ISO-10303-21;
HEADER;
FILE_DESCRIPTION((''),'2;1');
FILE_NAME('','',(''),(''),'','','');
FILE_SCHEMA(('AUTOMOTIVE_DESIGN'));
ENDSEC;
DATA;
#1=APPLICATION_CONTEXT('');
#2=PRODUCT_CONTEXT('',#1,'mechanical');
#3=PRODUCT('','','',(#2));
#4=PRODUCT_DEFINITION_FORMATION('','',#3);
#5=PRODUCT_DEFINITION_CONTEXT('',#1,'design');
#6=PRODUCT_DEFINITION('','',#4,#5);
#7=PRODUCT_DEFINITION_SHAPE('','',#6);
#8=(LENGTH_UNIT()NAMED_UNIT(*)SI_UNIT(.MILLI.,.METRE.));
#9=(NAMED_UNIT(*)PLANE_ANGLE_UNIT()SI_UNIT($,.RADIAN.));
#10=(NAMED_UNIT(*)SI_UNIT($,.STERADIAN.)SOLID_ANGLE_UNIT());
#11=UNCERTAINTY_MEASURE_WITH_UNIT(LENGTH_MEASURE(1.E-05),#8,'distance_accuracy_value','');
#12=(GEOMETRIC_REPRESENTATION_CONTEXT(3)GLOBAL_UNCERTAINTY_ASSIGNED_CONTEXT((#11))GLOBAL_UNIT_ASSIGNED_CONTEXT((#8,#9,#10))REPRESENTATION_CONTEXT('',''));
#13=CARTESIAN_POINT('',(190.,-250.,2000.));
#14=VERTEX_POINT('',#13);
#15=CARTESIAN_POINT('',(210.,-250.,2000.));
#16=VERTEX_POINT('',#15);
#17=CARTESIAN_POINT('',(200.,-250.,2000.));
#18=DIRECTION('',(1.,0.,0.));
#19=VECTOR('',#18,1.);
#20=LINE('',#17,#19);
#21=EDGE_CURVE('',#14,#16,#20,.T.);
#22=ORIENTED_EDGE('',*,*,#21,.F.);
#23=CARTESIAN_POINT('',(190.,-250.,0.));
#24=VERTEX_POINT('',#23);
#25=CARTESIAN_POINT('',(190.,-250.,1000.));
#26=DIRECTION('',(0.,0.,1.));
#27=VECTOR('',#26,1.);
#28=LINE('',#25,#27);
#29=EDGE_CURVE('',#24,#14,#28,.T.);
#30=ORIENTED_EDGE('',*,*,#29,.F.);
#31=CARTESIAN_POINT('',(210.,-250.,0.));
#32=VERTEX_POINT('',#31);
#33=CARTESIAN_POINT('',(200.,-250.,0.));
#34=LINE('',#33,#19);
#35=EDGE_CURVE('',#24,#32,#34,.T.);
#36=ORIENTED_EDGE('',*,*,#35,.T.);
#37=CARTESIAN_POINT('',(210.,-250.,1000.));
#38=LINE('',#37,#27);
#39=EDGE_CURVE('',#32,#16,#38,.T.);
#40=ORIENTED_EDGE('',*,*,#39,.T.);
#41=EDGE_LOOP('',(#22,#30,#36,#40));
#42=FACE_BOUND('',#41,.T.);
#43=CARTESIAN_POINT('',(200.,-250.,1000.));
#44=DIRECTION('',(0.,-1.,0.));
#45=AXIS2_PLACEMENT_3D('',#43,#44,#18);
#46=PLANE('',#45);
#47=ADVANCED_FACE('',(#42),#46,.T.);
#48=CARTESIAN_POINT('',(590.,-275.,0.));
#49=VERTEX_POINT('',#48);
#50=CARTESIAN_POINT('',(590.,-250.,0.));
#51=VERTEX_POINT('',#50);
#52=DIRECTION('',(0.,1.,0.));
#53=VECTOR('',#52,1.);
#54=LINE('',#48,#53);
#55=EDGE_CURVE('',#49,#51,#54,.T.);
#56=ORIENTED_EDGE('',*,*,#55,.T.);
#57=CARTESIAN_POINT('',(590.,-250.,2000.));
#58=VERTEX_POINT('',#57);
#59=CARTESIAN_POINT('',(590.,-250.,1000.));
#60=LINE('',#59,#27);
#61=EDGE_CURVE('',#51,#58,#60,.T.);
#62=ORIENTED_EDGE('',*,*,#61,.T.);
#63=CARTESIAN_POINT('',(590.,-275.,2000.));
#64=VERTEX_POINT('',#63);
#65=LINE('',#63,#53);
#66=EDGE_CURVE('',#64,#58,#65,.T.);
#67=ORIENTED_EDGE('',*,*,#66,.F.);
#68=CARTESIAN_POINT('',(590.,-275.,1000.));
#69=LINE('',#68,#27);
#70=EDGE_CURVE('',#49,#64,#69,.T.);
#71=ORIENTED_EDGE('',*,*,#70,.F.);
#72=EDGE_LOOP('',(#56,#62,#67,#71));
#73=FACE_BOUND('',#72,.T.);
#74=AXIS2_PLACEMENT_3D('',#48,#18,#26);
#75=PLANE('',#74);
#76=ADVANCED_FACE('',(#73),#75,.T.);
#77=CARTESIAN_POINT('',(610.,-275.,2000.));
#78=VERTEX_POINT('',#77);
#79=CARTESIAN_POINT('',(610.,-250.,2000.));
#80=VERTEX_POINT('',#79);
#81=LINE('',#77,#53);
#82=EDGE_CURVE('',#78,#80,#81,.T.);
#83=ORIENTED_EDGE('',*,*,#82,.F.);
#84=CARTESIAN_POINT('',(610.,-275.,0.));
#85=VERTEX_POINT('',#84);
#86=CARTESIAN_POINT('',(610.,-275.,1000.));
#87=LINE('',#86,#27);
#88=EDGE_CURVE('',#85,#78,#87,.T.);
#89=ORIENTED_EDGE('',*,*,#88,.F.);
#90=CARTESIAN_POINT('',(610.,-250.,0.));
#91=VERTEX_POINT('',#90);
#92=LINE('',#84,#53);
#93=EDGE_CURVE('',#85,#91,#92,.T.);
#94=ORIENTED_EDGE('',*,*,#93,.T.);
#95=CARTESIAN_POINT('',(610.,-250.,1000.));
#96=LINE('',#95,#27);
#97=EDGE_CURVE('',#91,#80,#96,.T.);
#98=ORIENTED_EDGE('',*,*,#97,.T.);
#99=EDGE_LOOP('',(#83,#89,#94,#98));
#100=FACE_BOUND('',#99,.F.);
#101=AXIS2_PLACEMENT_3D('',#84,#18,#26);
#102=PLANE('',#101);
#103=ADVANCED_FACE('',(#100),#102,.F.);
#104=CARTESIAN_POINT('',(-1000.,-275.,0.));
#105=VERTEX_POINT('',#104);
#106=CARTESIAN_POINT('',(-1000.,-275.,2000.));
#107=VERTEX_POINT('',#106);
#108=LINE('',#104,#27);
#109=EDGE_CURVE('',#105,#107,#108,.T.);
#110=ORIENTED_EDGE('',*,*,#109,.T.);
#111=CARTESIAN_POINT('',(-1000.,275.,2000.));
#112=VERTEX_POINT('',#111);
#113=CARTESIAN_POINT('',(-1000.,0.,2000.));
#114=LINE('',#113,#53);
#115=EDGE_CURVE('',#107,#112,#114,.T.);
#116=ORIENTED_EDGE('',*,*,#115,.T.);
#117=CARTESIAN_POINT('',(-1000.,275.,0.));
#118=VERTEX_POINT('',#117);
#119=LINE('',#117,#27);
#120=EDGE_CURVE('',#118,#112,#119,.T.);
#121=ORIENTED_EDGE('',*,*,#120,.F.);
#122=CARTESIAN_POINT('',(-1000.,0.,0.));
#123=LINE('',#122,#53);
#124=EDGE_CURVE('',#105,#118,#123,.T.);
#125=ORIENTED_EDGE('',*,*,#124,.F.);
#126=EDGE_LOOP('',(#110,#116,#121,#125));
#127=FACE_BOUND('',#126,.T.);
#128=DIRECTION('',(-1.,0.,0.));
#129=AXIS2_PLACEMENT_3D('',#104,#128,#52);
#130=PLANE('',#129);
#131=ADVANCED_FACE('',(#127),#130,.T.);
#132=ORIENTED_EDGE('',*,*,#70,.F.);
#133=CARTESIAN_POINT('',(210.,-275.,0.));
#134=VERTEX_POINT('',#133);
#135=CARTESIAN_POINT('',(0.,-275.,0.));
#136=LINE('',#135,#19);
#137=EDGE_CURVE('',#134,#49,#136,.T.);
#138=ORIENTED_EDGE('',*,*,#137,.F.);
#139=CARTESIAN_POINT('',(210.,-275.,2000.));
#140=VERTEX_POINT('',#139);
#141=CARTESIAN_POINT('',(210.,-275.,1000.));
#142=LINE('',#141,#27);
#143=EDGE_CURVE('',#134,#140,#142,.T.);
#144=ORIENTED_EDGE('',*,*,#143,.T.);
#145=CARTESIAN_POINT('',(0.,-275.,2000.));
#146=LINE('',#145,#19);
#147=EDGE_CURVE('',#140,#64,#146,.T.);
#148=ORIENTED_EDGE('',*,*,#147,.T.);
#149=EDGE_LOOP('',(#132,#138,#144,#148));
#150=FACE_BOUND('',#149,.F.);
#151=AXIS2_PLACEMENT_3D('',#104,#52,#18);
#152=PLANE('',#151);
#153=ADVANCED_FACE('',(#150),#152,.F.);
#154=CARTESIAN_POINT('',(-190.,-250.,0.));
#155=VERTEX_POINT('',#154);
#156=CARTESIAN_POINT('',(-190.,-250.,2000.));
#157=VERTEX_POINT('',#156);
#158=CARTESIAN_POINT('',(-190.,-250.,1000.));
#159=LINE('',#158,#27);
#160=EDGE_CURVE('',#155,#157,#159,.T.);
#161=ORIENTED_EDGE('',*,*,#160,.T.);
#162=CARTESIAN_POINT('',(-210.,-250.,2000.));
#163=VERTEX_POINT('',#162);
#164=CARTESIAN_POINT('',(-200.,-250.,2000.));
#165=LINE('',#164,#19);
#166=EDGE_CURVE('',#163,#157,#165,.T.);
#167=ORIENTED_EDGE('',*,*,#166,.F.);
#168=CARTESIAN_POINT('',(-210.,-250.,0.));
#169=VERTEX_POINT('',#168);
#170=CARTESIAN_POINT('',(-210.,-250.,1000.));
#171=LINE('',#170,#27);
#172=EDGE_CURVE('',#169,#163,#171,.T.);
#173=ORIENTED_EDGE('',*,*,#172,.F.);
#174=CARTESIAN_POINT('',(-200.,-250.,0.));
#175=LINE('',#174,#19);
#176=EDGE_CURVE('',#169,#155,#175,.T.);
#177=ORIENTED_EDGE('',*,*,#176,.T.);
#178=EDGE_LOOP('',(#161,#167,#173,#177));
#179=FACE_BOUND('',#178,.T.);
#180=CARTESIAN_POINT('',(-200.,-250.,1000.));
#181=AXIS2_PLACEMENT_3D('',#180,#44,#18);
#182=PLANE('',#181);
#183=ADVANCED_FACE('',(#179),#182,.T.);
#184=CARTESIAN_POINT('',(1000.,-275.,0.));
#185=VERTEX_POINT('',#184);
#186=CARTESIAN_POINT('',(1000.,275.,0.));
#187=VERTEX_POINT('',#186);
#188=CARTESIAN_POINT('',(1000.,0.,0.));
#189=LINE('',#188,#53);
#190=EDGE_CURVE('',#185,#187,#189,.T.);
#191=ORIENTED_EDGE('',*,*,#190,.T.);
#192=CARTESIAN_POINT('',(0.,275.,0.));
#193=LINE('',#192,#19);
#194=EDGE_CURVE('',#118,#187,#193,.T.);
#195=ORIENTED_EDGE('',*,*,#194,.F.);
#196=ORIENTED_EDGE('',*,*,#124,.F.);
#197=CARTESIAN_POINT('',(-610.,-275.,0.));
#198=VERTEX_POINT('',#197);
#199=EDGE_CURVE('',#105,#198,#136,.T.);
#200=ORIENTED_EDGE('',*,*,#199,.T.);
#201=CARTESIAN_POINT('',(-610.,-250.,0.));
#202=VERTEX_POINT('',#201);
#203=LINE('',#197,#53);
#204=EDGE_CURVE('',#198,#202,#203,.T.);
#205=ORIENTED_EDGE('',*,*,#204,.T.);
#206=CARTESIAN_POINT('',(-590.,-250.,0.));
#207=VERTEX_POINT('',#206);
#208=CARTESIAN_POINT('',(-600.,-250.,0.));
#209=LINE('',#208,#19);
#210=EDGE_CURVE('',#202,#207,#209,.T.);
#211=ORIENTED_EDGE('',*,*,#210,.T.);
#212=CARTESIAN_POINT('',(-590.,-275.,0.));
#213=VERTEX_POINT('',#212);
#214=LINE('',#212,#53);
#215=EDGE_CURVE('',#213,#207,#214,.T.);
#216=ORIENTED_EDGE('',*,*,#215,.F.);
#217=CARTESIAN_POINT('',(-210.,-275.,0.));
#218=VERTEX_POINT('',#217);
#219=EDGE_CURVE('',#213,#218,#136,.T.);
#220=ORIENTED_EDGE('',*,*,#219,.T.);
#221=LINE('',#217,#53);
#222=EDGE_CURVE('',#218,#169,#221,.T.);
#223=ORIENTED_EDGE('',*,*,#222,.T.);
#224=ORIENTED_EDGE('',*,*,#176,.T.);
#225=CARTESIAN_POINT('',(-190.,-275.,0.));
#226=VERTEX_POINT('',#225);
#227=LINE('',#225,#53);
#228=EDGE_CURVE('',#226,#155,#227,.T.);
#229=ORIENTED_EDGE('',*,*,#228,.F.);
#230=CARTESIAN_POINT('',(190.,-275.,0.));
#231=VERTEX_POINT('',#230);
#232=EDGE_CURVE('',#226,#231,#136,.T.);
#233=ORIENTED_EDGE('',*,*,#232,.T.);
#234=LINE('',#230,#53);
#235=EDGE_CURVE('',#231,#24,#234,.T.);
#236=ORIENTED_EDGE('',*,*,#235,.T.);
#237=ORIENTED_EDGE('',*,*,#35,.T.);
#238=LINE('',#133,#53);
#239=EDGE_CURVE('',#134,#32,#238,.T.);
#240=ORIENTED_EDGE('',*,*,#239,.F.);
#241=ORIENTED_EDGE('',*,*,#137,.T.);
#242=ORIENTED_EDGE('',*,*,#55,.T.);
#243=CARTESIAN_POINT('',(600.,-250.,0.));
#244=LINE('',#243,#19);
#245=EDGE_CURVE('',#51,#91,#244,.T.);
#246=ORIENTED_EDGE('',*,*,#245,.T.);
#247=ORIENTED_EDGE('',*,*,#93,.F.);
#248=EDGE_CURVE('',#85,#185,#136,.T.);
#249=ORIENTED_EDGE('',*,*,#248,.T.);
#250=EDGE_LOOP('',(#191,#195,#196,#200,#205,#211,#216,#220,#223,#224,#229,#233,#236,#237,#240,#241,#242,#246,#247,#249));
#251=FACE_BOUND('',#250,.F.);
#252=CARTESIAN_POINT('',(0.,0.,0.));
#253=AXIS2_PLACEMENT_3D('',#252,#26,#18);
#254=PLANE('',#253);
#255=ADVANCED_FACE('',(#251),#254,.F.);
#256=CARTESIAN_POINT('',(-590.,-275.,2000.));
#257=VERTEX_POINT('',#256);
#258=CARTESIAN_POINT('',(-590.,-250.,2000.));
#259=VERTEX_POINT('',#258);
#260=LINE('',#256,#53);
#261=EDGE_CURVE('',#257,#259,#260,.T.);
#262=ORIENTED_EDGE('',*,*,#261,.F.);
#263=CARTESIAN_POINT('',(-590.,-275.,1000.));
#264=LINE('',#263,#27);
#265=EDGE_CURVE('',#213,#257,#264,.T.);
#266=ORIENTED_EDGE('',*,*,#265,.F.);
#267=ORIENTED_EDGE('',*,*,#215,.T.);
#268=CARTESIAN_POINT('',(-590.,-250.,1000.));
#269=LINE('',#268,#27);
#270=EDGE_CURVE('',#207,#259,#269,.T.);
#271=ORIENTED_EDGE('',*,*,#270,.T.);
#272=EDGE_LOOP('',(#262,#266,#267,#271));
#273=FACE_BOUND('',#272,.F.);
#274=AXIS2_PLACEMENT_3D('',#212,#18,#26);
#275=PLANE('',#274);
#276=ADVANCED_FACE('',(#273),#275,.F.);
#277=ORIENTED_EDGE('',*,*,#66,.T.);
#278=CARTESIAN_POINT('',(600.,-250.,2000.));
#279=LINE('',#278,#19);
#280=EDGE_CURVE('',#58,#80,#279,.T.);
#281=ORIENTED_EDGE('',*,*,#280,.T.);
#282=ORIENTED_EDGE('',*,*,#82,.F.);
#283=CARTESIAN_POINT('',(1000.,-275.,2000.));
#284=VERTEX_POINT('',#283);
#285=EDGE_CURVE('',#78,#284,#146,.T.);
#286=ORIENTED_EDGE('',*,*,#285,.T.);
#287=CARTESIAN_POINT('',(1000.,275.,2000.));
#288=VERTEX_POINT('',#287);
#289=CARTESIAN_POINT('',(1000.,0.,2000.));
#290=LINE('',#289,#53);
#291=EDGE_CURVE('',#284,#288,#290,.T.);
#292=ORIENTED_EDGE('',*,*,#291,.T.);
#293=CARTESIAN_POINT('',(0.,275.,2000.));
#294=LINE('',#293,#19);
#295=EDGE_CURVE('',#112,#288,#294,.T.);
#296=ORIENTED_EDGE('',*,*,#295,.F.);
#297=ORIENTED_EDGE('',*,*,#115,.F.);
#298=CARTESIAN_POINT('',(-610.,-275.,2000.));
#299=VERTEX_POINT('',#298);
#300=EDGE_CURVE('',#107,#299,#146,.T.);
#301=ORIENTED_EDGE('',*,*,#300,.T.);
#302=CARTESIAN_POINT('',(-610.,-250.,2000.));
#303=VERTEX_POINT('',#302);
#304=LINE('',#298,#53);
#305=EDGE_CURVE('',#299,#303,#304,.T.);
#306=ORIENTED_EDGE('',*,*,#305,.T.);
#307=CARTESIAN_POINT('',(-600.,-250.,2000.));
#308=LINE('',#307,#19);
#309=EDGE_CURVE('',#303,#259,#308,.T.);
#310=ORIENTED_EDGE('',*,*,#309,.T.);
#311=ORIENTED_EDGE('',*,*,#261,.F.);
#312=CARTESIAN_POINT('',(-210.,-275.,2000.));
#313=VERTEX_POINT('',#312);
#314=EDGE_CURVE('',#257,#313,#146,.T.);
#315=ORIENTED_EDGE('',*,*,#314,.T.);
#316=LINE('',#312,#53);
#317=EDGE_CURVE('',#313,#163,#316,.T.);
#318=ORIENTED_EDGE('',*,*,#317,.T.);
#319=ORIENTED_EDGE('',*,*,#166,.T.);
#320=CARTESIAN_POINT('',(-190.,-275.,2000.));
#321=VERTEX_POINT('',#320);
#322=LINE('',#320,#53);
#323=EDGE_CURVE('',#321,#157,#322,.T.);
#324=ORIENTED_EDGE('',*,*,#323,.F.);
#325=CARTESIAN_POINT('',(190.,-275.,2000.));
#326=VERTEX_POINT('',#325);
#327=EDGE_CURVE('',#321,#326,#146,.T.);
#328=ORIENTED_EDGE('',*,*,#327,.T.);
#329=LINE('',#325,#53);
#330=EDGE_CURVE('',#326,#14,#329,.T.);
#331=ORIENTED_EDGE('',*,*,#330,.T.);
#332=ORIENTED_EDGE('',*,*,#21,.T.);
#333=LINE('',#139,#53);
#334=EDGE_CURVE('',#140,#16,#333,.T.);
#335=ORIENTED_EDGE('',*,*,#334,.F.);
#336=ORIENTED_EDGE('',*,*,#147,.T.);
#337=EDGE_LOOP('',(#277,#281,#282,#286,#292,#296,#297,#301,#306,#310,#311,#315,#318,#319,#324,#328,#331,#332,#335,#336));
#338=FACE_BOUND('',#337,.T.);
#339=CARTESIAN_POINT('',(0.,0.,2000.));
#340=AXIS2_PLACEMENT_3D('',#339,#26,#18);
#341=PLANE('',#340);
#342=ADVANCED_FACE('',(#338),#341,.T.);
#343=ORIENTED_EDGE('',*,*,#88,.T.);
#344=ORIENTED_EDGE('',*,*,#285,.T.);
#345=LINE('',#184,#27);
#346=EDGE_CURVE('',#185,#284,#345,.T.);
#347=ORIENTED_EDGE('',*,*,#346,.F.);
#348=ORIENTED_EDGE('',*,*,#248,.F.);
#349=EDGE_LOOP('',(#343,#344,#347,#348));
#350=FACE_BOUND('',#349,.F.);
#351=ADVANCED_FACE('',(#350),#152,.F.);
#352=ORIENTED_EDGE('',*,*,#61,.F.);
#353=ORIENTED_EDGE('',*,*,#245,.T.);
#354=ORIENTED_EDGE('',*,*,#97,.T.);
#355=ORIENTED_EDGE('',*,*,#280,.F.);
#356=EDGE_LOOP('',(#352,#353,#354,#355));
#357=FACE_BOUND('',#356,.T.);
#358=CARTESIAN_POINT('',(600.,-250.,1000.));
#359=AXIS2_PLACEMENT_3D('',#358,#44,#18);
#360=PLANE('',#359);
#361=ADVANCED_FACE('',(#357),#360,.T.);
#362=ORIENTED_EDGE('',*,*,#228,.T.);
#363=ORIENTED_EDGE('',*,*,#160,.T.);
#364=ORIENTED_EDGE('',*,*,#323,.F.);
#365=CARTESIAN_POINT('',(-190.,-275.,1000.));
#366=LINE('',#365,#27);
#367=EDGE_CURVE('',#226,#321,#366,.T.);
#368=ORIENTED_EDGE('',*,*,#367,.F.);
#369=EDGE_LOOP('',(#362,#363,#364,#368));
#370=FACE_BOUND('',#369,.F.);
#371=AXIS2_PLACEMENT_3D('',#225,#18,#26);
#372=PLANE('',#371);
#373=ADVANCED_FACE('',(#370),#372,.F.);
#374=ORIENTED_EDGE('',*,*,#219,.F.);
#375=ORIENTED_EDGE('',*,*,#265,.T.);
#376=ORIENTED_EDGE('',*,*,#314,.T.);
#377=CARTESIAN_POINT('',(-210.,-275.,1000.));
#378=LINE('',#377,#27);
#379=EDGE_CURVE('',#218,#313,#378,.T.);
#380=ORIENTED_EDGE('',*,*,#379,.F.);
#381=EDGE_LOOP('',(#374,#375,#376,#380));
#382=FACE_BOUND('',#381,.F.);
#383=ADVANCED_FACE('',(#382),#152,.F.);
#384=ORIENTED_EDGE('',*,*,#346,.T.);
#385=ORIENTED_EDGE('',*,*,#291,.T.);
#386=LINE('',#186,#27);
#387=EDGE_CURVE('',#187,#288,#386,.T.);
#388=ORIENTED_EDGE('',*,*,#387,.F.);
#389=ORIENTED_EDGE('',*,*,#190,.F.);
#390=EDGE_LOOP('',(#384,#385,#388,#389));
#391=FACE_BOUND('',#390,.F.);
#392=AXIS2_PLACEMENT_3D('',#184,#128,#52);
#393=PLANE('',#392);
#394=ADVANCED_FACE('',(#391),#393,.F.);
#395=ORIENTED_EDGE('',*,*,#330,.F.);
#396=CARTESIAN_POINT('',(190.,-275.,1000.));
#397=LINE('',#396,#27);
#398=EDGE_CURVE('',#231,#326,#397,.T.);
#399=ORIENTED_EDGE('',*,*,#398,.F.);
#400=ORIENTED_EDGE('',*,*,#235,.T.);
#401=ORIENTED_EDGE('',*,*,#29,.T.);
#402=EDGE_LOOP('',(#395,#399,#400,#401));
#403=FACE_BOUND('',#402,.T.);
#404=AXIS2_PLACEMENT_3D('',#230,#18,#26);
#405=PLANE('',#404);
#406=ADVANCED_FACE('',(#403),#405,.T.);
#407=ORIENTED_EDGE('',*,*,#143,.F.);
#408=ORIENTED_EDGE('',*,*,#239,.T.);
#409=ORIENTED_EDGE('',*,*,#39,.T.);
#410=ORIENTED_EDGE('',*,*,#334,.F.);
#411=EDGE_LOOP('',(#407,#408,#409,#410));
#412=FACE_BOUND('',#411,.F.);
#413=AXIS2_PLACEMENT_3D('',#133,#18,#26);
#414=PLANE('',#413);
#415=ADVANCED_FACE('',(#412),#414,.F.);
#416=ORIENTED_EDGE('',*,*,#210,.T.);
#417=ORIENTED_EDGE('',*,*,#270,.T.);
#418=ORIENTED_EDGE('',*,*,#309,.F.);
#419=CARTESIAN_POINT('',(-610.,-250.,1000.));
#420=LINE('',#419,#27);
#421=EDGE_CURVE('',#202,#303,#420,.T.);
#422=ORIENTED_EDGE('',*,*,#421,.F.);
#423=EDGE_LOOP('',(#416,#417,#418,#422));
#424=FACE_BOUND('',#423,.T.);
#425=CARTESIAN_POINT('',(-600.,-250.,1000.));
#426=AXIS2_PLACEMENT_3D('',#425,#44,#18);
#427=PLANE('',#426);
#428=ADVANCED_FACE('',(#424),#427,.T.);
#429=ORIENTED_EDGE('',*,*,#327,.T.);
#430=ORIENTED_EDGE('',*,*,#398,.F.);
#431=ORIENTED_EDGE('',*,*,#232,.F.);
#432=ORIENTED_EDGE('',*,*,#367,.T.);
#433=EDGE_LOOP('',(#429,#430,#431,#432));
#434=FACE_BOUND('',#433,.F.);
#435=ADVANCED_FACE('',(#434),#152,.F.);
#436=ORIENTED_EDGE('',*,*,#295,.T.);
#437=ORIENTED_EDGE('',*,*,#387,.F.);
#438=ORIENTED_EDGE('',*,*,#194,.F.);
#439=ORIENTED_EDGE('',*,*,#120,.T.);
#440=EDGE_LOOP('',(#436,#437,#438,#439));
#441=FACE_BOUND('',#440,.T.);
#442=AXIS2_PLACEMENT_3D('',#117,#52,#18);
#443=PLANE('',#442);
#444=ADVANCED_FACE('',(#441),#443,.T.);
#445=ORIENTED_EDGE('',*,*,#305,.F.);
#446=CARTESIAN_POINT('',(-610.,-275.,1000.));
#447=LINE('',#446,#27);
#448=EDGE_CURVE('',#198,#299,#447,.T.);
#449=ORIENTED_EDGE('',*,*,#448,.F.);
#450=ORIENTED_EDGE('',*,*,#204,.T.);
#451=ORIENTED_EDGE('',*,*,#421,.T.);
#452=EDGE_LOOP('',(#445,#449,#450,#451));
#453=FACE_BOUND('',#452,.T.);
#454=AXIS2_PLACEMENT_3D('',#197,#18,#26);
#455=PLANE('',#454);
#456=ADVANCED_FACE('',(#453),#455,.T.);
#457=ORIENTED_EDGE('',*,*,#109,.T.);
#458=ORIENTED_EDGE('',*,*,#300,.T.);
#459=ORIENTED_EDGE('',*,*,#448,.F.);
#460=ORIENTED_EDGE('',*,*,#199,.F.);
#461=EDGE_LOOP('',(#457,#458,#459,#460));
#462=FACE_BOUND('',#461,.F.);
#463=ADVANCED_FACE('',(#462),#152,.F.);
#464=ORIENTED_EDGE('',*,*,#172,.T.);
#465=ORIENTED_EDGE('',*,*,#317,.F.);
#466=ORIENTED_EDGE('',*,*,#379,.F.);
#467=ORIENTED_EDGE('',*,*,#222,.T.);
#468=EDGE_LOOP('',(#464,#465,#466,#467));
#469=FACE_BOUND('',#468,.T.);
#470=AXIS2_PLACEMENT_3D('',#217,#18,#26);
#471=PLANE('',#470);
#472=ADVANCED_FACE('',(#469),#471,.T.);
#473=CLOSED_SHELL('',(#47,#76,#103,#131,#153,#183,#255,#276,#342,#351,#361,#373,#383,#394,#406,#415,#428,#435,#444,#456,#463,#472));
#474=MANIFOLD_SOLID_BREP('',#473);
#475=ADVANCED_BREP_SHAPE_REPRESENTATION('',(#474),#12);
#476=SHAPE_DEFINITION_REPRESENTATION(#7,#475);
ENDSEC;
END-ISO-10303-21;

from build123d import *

# Parameters (mm, degrees)
F0_W     = 2000
F0_H     = 550
F1_DEPTH = 2000
F2_W     = 20
F2_H     = 2000
F3_DEPTH = 25


with BuildPart() as f1:
    # F0 (on Top) → F1 (new body)
    with BuildSketch(Plane.XY):
        Rectangle(F0_W, F0_H)
    extrude(amount=F1_DEPTH)

    # F2 (on face) → F3 (cut)
    with BuildSketch(Plane.XZ.offset(275)):
        with Locations((-600, 1000)):
            Rectangle(F2_W, F2_H)
        with Locations((-200, 1000)):
            Rectangle(F2_W, F2_H)
        with Locations((200, 1000)):
            Rectangle(F2_W, F2_H)
        with Locations((600, 1000)):
            Rectangle(F2_W, F2_H)
    extrude(amount=-F3_DEPTH, mode=Mode.SUBTRACT)


solid = f1.part
